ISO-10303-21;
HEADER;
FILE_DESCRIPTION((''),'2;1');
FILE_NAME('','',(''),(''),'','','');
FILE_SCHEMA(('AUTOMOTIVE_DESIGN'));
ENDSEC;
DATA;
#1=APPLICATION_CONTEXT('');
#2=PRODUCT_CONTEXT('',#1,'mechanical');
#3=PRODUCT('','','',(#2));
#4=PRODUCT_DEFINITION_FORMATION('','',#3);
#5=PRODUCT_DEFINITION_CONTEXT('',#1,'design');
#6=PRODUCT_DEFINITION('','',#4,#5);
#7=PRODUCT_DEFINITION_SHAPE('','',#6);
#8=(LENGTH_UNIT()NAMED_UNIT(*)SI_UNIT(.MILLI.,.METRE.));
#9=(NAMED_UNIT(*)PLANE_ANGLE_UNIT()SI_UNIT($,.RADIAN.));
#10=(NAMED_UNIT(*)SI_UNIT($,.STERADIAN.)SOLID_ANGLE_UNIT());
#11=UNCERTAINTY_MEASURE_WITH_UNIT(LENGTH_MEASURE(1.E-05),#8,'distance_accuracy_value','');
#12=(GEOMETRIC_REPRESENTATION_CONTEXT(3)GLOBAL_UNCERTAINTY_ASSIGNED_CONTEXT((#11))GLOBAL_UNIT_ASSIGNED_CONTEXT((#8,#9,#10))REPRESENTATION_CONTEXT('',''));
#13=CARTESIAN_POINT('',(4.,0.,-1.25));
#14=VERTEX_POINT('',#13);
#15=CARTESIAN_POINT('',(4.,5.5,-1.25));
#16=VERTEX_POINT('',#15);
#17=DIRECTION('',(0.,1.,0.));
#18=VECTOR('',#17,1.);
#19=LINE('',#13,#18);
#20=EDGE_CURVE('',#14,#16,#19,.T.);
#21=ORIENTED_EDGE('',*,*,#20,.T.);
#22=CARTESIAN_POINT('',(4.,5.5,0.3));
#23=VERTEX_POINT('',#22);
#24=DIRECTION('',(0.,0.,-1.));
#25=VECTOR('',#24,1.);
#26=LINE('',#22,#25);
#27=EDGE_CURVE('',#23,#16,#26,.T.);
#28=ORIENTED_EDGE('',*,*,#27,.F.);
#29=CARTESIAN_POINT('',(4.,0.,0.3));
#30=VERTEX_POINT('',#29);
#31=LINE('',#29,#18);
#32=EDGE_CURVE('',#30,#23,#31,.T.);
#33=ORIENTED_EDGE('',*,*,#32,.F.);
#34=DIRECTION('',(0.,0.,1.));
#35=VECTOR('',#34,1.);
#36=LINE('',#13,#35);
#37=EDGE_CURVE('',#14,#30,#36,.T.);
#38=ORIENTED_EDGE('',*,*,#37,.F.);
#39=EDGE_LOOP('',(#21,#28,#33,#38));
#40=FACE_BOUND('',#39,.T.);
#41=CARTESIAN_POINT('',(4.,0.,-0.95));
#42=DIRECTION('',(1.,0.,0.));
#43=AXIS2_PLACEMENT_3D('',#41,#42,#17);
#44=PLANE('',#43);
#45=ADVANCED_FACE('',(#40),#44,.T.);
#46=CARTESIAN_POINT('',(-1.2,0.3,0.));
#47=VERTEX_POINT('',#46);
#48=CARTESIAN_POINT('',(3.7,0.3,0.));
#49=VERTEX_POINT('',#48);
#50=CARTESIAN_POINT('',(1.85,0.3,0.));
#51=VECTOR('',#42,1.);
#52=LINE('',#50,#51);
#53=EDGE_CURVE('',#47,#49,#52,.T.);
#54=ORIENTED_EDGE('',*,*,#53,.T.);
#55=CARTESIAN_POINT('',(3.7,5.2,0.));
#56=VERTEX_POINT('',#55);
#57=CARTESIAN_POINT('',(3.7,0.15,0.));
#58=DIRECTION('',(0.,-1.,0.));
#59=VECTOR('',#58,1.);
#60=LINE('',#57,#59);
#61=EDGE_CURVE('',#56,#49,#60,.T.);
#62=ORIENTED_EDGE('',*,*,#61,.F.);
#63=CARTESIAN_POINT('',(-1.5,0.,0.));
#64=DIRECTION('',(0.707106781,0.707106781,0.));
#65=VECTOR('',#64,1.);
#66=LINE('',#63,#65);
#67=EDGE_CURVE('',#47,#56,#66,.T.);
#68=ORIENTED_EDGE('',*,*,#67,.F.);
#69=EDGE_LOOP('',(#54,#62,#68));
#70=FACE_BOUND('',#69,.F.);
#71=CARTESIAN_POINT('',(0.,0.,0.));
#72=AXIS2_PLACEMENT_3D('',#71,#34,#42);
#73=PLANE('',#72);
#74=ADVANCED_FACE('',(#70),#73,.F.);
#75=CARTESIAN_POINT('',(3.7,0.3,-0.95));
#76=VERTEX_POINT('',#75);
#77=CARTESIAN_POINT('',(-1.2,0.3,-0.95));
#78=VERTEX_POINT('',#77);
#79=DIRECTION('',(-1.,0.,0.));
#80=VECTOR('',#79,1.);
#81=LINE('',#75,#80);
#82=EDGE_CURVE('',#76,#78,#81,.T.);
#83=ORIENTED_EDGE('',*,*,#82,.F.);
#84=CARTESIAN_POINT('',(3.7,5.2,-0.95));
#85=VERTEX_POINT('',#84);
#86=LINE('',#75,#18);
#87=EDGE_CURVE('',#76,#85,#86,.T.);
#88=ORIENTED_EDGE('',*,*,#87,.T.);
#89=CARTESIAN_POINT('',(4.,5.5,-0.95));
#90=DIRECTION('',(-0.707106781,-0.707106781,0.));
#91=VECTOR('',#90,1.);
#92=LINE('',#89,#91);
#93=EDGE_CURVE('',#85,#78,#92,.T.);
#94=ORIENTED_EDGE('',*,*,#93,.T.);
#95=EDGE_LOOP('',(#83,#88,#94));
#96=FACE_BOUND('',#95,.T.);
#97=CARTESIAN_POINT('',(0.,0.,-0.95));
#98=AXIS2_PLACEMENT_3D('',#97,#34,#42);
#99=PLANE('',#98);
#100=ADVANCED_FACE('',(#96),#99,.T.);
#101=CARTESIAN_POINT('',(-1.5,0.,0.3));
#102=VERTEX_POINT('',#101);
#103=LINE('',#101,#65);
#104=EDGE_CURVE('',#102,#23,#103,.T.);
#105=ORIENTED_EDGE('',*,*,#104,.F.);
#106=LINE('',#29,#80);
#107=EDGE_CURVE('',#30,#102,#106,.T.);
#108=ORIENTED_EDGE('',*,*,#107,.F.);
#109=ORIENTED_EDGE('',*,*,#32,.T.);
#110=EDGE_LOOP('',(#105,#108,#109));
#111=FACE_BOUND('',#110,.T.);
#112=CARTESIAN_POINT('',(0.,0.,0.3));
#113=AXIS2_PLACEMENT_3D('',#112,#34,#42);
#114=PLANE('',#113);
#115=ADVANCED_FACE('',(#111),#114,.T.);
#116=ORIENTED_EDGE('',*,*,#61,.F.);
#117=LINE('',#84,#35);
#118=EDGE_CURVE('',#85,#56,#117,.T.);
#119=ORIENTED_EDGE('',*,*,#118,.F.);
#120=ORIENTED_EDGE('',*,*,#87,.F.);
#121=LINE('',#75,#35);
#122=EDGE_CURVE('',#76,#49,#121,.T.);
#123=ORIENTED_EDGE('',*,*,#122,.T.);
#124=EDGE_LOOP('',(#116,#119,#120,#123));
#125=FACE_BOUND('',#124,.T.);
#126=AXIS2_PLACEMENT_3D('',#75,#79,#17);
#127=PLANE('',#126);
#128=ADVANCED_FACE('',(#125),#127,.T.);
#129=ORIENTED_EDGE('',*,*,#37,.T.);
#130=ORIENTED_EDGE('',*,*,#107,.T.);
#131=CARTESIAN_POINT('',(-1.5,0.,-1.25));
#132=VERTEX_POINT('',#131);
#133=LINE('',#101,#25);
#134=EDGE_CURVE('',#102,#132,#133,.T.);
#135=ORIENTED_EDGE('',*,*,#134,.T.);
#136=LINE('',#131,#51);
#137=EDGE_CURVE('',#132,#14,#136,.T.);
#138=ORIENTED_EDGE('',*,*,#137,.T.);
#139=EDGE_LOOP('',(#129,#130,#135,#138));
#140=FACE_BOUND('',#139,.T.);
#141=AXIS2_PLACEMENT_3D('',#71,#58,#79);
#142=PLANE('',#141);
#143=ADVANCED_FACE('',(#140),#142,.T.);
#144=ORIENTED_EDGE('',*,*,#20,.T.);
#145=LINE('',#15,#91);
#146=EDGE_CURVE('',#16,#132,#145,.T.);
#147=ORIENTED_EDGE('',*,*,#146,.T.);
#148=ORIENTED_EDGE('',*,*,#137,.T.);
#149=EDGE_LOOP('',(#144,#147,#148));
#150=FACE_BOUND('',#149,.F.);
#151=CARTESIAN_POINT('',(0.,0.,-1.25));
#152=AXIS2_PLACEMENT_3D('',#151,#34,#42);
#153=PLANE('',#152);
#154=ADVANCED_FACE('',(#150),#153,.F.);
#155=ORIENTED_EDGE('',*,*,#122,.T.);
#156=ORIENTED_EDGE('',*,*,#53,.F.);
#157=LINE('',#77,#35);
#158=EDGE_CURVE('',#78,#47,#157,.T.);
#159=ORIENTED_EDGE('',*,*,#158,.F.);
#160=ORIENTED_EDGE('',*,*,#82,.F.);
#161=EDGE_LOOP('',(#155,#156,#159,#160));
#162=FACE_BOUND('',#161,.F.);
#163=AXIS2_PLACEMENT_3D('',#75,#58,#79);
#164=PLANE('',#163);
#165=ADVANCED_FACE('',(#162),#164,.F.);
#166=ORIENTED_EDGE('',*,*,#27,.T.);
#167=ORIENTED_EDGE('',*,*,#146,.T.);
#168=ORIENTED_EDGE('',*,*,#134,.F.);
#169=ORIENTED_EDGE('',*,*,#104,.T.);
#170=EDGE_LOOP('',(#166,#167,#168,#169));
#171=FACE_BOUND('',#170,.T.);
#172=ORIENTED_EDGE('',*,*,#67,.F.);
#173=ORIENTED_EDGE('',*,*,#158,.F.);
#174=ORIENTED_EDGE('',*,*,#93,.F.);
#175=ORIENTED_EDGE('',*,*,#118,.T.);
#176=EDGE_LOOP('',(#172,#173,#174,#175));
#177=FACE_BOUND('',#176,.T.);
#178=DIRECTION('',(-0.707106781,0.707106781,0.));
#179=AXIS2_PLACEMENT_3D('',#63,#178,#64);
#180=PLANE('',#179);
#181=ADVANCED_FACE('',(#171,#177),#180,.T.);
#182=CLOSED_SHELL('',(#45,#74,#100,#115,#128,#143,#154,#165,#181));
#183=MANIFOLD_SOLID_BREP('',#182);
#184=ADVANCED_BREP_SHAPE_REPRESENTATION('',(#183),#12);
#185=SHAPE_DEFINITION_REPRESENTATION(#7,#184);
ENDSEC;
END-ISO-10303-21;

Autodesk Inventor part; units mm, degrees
ref_plane "YZ Plane" through (0, 0, 0) normal (1, 0, 0) x (0, 1, 0)
ref_plane "XZ Plane" through (0, 0, 0) normal (0, 1, 0) x (-1, 0, 0)
sketch "Boceto1" plane through (0, 0, 0) normal (0, 0, 1) x (1, 0, 0)
  line L0 (0, 0) -> (4, 0)
  line L1 (4, 0) -> (4, 4)
  line L2 (4, 4) -> (4, 5.5)
  line L3 (0, 0) -> (-1.5, 0)
  line L4 (-1.5, 0) -> (4, 5.5)
  dimension "d0" = 4
  dimension "d1" = 4
  dimension "d10" = 1.5
  dimension "d11" = 1.5
extrude "Extrusión1" add sketch "Boceto1" along normal blind 0.3
ref_plane "Plano de trabajo1" through (0, 0, -0.95) normal (0, 0, 1) x (1, 0, 0)
sketch "Boceto4" plane through (0, 0, -0.95) normal (0, 0, 1) x (1, 0, 0)
  line L0 (-1.5, 0) -> (4, 0) projected
  line L1 (4, 5.5) -> (-1.5, 0) projected
  line L2 (4, 0) -> (4, 5.5) projected
  point P0 (0, 0)
extrude "Extrusión4" add sketch "Boceto4" against normal blind 0.3
sketch "Boceto5" plane through (0, 0, -0.95) normal (0, 0, 1) x (1, 0, 0)
  line L0 (4, 0) -> (-1.5, 0) projected
  line L1 (4, 0) -> (3.7, 0)
  line L2 (3.7, 0.3) -> (3.7, 5.2)
  line L3 (4, 0) -> (-1.5, 0) projected
  line L4 (-1.5, 0) -> (4, 5.5) projected
  line L5 (4, 5.5) -> (4, 0) projected
  line L6 (3.7, 0.3) -> (-1.2, 0.3)
  point P0 (0, 0)
  dimension "d14" = 0.3
  dimension "d15" = 0.3
extrude "Extrusión5" add sketch "Boceto5" along normal blind 1 contours L0 L4 L6 L2 L5
properties part number "esquinero"
